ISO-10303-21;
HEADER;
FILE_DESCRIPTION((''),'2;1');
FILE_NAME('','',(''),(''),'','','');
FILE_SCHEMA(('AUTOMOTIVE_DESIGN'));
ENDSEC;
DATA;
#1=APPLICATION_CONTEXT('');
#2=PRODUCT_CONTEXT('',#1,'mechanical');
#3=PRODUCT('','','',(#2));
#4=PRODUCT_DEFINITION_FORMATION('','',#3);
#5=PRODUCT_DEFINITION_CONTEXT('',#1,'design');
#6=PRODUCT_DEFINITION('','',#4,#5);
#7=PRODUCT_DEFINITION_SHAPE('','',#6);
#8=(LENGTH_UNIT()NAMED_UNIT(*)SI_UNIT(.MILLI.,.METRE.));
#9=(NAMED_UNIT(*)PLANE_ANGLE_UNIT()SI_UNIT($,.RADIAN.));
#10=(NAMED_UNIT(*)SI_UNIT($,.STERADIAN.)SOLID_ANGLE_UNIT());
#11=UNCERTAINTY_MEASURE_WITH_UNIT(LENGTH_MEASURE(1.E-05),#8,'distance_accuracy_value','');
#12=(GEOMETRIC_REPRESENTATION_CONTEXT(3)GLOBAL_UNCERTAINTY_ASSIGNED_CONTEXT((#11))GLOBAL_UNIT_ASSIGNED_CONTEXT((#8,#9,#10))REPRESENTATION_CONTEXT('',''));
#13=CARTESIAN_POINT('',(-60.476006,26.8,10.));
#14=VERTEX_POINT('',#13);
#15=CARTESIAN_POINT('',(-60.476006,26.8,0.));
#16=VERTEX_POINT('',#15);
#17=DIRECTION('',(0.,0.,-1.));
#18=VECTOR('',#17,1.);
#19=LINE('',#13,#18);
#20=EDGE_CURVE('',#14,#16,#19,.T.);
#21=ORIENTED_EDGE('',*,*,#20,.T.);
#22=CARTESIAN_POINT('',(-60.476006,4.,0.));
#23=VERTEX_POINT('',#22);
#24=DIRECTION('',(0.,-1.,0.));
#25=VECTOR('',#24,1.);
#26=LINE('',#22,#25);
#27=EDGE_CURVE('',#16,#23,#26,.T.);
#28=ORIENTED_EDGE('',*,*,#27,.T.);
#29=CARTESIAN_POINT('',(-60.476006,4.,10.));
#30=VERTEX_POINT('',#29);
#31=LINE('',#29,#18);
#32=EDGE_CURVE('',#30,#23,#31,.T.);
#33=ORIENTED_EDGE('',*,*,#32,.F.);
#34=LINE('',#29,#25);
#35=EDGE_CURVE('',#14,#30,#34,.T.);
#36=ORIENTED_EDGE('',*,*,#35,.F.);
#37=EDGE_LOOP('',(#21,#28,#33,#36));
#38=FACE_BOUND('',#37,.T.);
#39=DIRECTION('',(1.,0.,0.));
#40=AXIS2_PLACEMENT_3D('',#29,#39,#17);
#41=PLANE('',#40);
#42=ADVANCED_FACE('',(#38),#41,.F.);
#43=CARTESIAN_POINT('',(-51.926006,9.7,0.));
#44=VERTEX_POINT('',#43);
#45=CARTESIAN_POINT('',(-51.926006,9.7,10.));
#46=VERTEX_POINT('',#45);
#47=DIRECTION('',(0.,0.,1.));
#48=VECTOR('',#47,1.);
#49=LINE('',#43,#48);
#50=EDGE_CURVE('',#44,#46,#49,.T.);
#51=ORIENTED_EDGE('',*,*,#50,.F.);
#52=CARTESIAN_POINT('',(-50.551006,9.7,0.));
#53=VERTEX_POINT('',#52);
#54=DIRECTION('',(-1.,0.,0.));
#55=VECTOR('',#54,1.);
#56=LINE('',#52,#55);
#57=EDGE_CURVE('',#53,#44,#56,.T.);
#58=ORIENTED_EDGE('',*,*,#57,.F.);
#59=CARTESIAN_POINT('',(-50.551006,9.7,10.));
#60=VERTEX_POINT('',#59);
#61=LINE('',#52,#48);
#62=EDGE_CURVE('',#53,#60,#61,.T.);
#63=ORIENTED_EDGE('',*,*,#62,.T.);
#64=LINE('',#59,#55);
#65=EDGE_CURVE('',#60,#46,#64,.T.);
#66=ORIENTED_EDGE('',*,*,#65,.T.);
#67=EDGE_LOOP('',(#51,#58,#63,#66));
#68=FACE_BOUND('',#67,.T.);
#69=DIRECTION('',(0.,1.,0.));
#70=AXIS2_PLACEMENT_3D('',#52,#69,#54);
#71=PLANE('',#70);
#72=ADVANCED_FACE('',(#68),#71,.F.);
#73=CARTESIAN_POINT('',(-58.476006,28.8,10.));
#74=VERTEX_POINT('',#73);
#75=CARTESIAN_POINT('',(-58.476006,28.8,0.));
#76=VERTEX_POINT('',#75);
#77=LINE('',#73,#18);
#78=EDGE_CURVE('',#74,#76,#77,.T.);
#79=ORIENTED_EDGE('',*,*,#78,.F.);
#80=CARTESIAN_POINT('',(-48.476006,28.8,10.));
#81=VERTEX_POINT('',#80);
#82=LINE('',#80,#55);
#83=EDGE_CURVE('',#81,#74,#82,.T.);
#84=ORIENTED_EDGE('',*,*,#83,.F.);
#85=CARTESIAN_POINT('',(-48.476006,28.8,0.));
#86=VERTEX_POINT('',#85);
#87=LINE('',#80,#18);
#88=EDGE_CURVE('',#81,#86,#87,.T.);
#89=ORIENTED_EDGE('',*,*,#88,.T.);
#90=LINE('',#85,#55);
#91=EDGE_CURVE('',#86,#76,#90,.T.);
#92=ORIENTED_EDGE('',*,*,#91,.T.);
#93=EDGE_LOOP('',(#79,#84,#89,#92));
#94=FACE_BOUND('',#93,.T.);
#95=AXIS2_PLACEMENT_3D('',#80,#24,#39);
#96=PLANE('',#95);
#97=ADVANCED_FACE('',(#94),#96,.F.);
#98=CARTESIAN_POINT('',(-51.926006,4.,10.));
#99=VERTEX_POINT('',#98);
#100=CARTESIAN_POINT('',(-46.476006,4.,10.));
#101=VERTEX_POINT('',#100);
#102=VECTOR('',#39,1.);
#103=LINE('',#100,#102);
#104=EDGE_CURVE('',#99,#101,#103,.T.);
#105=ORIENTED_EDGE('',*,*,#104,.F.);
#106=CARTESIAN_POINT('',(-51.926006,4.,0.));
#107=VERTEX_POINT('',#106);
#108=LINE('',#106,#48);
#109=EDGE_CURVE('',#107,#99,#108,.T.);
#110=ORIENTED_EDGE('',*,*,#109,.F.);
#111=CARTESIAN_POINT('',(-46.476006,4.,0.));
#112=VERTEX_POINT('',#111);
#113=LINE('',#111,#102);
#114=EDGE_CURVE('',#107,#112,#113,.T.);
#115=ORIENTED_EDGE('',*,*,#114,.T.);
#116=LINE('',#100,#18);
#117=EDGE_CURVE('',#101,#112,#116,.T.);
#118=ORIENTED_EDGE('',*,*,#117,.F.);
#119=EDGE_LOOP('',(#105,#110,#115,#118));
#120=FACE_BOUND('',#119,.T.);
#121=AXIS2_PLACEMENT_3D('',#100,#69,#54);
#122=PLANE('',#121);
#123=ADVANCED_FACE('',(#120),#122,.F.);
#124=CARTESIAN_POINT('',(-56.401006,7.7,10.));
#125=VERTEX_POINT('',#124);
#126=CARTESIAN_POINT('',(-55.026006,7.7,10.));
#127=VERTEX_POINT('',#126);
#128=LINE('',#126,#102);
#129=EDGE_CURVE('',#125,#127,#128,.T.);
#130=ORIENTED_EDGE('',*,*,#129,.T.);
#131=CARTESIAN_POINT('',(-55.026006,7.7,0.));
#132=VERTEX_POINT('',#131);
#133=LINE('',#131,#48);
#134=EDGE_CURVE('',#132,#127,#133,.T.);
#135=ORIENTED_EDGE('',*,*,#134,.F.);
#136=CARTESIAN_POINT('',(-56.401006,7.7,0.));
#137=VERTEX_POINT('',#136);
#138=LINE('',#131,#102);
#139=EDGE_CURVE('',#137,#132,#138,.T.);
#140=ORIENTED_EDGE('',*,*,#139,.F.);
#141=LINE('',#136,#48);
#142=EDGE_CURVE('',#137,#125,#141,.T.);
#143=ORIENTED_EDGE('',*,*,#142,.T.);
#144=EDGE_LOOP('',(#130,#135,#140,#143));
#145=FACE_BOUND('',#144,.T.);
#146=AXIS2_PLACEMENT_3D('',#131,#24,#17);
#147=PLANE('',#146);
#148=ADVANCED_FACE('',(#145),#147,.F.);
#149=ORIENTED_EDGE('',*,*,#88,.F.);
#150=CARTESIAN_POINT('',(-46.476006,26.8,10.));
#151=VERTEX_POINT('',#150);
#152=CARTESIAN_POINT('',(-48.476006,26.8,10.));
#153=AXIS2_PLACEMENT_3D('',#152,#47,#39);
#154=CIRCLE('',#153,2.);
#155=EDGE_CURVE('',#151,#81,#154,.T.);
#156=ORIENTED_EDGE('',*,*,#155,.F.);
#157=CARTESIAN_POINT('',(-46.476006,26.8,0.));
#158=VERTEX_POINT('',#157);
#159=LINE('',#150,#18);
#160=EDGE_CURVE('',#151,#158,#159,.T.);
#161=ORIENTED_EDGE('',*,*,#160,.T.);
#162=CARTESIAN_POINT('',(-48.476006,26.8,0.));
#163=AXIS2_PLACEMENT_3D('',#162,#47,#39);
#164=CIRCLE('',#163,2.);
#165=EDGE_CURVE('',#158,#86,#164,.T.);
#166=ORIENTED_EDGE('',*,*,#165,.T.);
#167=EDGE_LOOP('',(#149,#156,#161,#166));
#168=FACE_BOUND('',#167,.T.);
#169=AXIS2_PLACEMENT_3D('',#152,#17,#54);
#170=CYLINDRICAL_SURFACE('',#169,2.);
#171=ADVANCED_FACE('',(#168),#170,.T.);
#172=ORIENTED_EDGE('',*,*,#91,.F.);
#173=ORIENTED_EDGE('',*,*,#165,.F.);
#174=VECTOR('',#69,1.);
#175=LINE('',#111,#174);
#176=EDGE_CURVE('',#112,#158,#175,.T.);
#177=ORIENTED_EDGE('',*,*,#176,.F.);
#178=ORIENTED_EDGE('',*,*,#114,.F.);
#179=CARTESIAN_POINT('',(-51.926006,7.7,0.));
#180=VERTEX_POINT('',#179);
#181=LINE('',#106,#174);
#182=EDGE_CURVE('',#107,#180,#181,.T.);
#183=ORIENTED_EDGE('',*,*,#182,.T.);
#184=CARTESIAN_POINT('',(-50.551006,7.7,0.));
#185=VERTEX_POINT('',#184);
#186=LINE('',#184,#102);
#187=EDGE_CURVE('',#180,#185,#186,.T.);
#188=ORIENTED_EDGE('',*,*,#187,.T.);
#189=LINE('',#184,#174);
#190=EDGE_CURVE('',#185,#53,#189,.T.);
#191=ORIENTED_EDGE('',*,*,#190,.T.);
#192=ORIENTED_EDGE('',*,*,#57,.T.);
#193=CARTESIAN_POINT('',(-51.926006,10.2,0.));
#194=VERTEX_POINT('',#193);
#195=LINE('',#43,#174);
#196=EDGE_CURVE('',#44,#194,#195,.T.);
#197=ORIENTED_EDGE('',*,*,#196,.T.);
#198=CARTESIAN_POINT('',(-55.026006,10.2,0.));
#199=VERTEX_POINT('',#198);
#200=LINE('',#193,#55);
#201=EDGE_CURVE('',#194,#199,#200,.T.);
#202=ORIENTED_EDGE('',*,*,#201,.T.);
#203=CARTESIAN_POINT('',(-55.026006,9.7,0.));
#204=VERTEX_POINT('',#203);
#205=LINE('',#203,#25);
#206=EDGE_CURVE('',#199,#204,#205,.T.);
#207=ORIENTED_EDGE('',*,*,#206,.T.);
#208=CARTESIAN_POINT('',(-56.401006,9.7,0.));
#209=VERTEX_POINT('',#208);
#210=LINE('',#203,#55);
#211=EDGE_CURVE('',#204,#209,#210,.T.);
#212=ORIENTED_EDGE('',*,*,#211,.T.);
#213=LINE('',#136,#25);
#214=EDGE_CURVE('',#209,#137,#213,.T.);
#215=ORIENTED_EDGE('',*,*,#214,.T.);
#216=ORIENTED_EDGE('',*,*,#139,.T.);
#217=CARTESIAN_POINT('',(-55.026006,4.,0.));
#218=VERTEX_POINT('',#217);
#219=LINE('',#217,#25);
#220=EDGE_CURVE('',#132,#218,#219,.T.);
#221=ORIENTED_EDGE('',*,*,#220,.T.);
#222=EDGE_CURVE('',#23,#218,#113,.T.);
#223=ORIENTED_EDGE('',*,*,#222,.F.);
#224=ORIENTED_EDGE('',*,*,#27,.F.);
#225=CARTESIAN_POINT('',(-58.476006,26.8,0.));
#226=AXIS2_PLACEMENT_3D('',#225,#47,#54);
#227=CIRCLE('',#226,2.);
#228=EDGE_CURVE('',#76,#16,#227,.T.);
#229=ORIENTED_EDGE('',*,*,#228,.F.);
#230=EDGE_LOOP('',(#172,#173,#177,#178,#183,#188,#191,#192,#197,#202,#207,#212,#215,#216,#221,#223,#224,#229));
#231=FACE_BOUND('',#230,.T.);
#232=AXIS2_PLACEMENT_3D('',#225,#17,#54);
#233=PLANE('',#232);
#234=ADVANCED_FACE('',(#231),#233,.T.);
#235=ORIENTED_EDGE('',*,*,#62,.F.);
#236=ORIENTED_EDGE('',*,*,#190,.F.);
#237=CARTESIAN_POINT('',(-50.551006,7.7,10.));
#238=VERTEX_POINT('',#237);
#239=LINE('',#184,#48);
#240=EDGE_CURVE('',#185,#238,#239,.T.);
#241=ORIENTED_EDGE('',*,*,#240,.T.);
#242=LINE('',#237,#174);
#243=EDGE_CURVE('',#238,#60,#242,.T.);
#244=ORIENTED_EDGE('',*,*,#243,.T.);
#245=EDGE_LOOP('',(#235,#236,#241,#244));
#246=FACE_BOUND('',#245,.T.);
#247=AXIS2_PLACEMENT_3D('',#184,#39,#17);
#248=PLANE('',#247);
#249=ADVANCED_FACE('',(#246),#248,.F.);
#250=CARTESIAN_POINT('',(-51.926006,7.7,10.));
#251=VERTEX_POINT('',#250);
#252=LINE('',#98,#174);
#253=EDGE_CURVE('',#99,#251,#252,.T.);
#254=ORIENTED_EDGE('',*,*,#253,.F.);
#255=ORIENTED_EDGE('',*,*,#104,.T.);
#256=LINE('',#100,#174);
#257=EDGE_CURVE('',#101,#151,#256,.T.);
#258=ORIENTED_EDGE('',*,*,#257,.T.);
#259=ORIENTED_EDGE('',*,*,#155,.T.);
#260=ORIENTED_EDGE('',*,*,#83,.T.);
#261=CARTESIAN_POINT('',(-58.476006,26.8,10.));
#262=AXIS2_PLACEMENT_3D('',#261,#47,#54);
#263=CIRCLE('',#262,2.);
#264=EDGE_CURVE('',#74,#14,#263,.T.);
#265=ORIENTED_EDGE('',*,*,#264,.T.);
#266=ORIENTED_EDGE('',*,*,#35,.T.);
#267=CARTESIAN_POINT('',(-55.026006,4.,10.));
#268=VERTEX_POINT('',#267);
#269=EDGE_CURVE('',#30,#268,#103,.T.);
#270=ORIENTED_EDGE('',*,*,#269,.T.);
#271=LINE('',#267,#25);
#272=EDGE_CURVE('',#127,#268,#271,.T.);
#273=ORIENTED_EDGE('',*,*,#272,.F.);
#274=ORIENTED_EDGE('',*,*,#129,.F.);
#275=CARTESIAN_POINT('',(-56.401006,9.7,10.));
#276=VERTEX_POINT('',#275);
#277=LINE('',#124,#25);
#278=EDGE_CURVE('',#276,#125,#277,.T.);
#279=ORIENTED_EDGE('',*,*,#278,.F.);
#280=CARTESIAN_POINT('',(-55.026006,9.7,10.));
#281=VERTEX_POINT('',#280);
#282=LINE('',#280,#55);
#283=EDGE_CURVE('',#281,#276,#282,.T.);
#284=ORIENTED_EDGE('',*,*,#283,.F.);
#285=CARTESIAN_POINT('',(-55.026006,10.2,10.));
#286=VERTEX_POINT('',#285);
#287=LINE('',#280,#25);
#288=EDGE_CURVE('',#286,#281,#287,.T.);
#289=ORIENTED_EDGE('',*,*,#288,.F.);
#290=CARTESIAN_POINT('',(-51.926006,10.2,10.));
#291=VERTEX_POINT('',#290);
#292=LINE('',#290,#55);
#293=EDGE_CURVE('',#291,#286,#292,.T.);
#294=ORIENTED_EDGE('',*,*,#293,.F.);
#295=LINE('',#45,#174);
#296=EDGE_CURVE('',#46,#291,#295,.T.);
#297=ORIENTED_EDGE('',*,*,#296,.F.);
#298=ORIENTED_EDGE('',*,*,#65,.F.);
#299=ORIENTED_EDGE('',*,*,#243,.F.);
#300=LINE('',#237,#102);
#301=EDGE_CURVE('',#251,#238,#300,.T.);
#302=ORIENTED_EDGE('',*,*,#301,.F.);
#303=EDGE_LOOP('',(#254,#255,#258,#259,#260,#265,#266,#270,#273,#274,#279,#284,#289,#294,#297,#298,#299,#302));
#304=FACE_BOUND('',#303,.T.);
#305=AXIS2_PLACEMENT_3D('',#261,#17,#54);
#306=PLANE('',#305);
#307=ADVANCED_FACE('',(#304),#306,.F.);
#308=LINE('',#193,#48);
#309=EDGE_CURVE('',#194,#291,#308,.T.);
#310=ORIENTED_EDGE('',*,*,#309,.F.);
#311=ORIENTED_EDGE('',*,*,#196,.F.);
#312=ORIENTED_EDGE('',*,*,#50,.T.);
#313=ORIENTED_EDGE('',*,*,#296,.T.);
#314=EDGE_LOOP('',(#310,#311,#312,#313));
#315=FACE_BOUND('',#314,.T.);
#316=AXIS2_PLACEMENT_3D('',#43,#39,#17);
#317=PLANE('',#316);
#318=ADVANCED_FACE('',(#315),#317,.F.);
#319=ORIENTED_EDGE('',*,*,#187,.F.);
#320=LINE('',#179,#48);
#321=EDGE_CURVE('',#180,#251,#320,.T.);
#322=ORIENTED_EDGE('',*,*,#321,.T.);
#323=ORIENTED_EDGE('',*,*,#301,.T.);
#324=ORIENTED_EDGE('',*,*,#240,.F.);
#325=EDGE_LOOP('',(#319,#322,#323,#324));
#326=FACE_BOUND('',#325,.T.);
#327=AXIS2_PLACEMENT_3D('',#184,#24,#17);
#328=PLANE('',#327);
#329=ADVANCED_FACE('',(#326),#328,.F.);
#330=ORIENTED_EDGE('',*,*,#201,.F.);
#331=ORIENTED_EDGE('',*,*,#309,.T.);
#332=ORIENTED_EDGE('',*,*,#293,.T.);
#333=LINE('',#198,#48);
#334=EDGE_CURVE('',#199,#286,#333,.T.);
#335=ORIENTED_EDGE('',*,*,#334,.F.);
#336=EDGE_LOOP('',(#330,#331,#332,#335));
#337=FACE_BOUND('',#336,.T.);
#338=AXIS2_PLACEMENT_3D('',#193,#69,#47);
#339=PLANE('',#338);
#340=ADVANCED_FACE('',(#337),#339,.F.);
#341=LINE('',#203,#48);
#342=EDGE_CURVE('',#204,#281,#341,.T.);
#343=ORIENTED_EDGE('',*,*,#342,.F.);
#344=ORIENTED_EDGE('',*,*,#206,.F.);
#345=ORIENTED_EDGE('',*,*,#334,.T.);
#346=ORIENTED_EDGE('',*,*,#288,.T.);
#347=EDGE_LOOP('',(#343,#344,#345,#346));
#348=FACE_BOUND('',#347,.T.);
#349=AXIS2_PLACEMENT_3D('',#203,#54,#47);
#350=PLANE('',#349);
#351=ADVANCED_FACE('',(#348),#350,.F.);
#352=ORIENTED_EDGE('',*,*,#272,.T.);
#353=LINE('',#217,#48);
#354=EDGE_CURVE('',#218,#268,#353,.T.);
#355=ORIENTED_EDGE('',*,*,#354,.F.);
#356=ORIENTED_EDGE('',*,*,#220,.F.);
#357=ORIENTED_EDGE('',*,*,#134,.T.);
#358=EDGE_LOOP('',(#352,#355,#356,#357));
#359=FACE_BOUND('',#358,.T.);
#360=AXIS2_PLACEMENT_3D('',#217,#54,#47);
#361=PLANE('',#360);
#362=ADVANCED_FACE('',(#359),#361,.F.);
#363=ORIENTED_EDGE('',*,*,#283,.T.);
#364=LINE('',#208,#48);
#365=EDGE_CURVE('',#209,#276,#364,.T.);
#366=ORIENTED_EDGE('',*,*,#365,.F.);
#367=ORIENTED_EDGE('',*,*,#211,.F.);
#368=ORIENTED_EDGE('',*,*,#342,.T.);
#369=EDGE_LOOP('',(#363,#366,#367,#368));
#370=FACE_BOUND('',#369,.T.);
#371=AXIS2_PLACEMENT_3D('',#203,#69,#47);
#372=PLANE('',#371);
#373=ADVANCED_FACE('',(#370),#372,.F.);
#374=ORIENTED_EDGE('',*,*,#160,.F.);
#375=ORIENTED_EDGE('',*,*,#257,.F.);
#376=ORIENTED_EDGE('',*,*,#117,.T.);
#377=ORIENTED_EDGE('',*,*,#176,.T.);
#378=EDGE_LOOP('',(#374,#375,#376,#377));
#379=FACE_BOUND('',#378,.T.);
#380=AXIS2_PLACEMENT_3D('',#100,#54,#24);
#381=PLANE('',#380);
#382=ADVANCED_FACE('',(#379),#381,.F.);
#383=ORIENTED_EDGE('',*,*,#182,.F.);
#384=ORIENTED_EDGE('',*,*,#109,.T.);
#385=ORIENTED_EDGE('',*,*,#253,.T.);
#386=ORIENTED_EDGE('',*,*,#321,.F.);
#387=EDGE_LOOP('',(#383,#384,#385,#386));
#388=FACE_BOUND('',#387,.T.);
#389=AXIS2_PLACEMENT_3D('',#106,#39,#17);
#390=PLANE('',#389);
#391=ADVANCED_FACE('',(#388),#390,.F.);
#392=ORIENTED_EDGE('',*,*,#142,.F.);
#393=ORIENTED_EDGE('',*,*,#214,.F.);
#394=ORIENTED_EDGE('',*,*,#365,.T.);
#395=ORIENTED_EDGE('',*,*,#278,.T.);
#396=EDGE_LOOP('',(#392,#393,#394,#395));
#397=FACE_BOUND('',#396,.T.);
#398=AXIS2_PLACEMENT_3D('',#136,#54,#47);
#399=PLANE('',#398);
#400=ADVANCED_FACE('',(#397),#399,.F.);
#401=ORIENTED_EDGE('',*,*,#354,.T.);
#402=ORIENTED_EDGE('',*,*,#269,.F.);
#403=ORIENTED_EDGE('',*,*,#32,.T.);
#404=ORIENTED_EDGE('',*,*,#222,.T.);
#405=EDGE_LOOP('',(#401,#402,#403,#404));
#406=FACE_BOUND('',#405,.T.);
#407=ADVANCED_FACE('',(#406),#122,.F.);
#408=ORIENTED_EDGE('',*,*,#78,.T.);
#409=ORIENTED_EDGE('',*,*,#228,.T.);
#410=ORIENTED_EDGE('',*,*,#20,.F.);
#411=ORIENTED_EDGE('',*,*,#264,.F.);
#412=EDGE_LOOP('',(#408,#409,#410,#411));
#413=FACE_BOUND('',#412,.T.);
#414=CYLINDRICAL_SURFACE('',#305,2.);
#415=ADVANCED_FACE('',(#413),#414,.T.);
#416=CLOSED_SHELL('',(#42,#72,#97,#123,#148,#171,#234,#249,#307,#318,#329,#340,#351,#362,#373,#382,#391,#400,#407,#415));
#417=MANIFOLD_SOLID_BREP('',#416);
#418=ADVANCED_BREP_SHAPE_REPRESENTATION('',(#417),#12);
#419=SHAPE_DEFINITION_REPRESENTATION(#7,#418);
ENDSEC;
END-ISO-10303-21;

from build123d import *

# Parameters (mm, degrees)
DODANIE_WYCI_GNI_CIE1_DEPTH = 10
WYTNIJ_WYCI_GNI_CIE1_DEPTH  = 10


with BuildPart() as part:
    # Szkic1 → Dodanie-wyciągnięcie1 (new body)
    with BuildSketch(Plane.XY):
        with BuildLine():
            Line((-46.47600649, 4), (-60.47600649, 4))
            Line((-60.47600649, 4), (-60.47600649, 26.8))
            ThreePointArc((-60.47600649, 26.8), (-59.890220053, 28.214213562), (-58.47600649, 28.8))
            Line((-58.47600649, 28.8), (-48.47600649, 28.8))
            ThreePointArc((-48.47600649, 28.8), (-47.061792928, 28.214213562), (-46.47600649, 26.8))
            Line((-46.47600649, 26.8), (-46.47600649, 4))
        make_face()
    extrude(amount=DODANIE_WYCI_GNI_CIE1_DEPTH)

    # Szkic3 → Wytnij-wyciągnięcie1 (cut)
    with BuildSketch(Plane.XY.offset(10)):
        Polygon((-51.92600649, 4), (-55.02600649, 4), (-55.02600649, 7.7), (-56.40100649, 7.7), (-56.40100649, 9.7), (-55.02600649, 9.7), (-55.02600649, 10.2), (-51.92600649, 10.2), (-51.92600649, 9.7), (-50.55100649, 9.7), (-50.55100649, 7.7), (-51.92600649, 7.7), align=None)
    extrude(amount=-WYTNIJ_WYCI_GNI_CIE1_DEPTH, mode=Mode.SUBTRACT)


solid = part.part
